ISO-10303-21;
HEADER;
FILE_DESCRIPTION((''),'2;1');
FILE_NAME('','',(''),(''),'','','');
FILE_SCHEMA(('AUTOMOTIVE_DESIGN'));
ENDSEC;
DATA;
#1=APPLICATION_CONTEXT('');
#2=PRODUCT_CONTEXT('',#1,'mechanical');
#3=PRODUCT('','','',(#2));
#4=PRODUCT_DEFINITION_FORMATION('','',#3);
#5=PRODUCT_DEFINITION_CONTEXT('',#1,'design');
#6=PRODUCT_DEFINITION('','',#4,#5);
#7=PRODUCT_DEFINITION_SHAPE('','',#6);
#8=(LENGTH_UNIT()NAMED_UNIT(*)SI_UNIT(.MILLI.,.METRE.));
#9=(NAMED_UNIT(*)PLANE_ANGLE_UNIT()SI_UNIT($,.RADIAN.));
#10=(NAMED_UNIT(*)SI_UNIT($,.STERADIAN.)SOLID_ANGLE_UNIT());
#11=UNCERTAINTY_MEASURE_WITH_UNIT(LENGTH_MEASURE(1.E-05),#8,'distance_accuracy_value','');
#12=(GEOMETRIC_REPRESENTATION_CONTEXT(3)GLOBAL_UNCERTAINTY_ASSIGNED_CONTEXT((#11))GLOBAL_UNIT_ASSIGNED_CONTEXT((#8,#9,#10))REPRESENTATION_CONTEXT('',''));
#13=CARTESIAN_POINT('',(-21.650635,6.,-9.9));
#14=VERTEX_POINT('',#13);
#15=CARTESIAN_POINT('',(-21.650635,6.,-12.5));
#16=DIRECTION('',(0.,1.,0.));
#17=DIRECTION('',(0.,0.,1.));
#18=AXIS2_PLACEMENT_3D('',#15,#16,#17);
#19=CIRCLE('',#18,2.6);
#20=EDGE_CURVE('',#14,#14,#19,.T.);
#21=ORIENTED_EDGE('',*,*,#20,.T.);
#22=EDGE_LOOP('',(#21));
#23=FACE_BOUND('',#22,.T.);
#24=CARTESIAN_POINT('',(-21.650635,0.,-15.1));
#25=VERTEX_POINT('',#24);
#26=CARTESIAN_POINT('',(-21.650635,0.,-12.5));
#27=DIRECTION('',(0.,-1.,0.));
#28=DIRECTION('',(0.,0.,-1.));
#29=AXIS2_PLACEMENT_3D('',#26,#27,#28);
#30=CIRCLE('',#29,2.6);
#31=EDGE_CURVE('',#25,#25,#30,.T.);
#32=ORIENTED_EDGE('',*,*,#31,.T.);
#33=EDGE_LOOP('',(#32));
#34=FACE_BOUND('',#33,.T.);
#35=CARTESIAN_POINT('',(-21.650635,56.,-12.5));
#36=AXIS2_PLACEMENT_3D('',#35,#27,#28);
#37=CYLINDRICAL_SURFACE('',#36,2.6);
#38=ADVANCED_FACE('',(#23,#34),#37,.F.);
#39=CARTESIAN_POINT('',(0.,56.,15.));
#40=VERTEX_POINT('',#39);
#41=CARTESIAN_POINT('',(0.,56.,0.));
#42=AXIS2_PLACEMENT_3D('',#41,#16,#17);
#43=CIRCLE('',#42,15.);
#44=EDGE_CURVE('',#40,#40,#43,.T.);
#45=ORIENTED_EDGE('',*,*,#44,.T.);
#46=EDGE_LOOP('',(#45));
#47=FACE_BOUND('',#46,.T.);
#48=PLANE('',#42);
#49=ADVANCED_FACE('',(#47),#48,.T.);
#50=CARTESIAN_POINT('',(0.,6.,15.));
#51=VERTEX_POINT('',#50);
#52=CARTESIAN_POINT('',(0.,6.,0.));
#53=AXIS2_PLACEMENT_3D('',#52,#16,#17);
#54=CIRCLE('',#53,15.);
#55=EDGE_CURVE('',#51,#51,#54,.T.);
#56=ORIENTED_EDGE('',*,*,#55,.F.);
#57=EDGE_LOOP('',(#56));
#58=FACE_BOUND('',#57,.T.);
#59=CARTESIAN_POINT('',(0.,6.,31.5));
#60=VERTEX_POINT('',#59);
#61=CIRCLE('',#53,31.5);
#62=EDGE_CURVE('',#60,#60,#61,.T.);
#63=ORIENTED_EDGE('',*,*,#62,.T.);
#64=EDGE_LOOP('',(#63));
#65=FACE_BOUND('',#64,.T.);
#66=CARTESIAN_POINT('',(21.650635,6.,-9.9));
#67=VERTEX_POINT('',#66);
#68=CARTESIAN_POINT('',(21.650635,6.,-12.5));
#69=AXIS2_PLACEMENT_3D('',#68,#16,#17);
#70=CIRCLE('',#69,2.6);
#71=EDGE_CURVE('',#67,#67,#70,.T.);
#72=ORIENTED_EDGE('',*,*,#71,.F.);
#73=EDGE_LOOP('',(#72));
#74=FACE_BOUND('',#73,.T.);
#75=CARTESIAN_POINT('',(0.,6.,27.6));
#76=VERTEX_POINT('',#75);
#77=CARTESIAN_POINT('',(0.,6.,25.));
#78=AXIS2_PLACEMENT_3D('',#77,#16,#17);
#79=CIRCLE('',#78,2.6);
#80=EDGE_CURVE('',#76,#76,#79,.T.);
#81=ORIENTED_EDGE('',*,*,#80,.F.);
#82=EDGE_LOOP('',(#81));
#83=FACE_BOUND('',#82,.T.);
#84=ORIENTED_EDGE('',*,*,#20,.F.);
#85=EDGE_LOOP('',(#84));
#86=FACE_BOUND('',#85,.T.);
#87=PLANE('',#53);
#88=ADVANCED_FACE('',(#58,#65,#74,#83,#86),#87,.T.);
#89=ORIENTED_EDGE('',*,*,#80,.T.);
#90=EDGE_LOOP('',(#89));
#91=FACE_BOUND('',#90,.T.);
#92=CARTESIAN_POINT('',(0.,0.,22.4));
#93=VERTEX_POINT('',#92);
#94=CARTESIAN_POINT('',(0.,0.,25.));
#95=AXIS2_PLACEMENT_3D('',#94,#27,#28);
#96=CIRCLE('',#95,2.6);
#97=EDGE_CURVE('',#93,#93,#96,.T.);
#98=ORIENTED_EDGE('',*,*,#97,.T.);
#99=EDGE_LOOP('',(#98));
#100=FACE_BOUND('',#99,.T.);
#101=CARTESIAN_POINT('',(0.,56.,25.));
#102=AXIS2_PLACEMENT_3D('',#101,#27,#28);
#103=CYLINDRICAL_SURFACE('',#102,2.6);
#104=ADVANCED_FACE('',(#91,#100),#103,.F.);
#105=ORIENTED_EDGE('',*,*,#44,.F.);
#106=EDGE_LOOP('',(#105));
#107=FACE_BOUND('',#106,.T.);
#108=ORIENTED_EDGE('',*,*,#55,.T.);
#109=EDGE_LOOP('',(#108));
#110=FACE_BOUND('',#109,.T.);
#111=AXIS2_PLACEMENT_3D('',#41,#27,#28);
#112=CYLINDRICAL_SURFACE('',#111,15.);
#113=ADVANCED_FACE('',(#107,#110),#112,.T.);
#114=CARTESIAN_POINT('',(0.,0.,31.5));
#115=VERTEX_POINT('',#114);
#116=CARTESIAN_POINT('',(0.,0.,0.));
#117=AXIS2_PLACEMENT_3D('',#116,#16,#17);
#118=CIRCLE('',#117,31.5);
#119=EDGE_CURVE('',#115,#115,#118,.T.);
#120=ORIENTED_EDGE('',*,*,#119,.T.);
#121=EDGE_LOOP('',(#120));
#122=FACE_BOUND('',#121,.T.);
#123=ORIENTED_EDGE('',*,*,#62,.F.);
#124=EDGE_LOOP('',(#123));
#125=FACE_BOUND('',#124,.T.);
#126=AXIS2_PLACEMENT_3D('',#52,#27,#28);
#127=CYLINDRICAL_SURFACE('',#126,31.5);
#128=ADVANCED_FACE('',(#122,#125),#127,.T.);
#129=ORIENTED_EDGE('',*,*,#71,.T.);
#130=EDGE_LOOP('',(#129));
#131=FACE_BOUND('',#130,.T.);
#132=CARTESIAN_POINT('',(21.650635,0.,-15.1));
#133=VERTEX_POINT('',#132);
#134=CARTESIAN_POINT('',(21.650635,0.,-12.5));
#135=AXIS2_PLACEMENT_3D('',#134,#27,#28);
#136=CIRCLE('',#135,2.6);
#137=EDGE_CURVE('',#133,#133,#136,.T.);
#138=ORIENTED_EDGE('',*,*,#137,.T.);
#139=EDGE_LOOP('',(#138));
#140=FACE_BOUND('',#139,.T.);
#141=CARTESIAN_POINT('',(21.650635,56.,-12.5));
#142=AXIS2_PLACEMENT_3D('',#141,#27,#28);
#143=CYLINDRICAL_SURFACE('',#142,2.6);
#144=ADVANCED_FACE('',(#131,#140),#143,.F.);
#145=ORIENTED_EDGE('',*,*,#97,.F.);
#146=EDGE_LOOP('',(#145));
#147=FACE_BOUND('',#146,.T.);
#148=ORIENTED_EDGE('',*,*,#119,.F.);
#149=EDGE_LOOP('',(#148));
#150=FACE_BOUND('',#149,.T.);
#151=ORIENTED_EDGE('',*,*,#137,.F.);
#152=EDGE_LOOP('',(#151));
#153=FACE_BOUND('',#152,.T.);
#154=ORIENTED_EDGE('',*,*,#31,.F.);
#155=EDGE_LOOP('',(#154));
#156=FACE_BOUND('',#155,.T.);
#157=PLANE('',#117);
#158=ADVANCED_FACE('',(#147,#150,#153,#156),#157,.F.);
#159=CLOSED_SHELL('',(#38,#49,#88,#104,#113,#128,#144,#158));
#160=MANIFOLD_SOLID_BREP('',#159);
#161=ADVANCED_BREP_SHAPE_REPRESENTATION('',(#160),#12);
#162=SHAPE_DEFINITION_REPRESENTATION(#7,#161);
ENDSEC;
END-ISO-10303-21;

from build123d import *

# Parameters (mm, degrees)
SKETCH_1_R          = 31.5
EXTRUDE_1_DEPTH     = 6
SKETCH_2_R          = 15
EXTRUDE_2_DEPTH     = 50
SKETCH_3_R          = 2.6
CUT_EXTRUDE_1_DEPTH = 72.557669051


with BuildPart() as part:
    # 草图1 → 凸台-拉伸1 (new body)
    with BuildSketch(Plane(origin=(0, 0, 0), x_dir=(1, 0, 0), z_dir=(0, 1, 0))):
        with Locations(Location((0, 0, 0), (0, 0, 270))):
            Circle(SKETCH_1_R)
    extrude(amount=EXTRUDE_1_DEPTH)

    # 草图2 → 凸台-拉伸2 (add)
    with BuildSketch(Plane(origin=(0, 6, 0), x_dir=(1, 0, 0), z_dir=(0, 1, 0))):
        with Locations(Location((0, 0, 0), (0, 0, 270))):
            Circle(SKETCH_2_R)
    extrude(amount=EXTRUDE_2_DEPTH)

    # 草图3 → 切除-拉伸1 (cut, through all)
    with BuildSketch(Plane.XZ):
        with Locations(Location((-21.650635095, -12.5, 0), (0, 0, 270))):
            Circle(SKETCH_3_R)
        with Locations(Location((0, 25, 0), (0, 0, 270))):
            Circle(SKETCH_3_R)
        with Locations(Location((21.650635095, -12.5, 0), (0, 0, 270))):
            Circle(SKETCH_3_R)
    extrude(amount=-CUT_EXTRUDE_1_DEPTH, mode=Mode.SUBTRACT)


solid = part.part
